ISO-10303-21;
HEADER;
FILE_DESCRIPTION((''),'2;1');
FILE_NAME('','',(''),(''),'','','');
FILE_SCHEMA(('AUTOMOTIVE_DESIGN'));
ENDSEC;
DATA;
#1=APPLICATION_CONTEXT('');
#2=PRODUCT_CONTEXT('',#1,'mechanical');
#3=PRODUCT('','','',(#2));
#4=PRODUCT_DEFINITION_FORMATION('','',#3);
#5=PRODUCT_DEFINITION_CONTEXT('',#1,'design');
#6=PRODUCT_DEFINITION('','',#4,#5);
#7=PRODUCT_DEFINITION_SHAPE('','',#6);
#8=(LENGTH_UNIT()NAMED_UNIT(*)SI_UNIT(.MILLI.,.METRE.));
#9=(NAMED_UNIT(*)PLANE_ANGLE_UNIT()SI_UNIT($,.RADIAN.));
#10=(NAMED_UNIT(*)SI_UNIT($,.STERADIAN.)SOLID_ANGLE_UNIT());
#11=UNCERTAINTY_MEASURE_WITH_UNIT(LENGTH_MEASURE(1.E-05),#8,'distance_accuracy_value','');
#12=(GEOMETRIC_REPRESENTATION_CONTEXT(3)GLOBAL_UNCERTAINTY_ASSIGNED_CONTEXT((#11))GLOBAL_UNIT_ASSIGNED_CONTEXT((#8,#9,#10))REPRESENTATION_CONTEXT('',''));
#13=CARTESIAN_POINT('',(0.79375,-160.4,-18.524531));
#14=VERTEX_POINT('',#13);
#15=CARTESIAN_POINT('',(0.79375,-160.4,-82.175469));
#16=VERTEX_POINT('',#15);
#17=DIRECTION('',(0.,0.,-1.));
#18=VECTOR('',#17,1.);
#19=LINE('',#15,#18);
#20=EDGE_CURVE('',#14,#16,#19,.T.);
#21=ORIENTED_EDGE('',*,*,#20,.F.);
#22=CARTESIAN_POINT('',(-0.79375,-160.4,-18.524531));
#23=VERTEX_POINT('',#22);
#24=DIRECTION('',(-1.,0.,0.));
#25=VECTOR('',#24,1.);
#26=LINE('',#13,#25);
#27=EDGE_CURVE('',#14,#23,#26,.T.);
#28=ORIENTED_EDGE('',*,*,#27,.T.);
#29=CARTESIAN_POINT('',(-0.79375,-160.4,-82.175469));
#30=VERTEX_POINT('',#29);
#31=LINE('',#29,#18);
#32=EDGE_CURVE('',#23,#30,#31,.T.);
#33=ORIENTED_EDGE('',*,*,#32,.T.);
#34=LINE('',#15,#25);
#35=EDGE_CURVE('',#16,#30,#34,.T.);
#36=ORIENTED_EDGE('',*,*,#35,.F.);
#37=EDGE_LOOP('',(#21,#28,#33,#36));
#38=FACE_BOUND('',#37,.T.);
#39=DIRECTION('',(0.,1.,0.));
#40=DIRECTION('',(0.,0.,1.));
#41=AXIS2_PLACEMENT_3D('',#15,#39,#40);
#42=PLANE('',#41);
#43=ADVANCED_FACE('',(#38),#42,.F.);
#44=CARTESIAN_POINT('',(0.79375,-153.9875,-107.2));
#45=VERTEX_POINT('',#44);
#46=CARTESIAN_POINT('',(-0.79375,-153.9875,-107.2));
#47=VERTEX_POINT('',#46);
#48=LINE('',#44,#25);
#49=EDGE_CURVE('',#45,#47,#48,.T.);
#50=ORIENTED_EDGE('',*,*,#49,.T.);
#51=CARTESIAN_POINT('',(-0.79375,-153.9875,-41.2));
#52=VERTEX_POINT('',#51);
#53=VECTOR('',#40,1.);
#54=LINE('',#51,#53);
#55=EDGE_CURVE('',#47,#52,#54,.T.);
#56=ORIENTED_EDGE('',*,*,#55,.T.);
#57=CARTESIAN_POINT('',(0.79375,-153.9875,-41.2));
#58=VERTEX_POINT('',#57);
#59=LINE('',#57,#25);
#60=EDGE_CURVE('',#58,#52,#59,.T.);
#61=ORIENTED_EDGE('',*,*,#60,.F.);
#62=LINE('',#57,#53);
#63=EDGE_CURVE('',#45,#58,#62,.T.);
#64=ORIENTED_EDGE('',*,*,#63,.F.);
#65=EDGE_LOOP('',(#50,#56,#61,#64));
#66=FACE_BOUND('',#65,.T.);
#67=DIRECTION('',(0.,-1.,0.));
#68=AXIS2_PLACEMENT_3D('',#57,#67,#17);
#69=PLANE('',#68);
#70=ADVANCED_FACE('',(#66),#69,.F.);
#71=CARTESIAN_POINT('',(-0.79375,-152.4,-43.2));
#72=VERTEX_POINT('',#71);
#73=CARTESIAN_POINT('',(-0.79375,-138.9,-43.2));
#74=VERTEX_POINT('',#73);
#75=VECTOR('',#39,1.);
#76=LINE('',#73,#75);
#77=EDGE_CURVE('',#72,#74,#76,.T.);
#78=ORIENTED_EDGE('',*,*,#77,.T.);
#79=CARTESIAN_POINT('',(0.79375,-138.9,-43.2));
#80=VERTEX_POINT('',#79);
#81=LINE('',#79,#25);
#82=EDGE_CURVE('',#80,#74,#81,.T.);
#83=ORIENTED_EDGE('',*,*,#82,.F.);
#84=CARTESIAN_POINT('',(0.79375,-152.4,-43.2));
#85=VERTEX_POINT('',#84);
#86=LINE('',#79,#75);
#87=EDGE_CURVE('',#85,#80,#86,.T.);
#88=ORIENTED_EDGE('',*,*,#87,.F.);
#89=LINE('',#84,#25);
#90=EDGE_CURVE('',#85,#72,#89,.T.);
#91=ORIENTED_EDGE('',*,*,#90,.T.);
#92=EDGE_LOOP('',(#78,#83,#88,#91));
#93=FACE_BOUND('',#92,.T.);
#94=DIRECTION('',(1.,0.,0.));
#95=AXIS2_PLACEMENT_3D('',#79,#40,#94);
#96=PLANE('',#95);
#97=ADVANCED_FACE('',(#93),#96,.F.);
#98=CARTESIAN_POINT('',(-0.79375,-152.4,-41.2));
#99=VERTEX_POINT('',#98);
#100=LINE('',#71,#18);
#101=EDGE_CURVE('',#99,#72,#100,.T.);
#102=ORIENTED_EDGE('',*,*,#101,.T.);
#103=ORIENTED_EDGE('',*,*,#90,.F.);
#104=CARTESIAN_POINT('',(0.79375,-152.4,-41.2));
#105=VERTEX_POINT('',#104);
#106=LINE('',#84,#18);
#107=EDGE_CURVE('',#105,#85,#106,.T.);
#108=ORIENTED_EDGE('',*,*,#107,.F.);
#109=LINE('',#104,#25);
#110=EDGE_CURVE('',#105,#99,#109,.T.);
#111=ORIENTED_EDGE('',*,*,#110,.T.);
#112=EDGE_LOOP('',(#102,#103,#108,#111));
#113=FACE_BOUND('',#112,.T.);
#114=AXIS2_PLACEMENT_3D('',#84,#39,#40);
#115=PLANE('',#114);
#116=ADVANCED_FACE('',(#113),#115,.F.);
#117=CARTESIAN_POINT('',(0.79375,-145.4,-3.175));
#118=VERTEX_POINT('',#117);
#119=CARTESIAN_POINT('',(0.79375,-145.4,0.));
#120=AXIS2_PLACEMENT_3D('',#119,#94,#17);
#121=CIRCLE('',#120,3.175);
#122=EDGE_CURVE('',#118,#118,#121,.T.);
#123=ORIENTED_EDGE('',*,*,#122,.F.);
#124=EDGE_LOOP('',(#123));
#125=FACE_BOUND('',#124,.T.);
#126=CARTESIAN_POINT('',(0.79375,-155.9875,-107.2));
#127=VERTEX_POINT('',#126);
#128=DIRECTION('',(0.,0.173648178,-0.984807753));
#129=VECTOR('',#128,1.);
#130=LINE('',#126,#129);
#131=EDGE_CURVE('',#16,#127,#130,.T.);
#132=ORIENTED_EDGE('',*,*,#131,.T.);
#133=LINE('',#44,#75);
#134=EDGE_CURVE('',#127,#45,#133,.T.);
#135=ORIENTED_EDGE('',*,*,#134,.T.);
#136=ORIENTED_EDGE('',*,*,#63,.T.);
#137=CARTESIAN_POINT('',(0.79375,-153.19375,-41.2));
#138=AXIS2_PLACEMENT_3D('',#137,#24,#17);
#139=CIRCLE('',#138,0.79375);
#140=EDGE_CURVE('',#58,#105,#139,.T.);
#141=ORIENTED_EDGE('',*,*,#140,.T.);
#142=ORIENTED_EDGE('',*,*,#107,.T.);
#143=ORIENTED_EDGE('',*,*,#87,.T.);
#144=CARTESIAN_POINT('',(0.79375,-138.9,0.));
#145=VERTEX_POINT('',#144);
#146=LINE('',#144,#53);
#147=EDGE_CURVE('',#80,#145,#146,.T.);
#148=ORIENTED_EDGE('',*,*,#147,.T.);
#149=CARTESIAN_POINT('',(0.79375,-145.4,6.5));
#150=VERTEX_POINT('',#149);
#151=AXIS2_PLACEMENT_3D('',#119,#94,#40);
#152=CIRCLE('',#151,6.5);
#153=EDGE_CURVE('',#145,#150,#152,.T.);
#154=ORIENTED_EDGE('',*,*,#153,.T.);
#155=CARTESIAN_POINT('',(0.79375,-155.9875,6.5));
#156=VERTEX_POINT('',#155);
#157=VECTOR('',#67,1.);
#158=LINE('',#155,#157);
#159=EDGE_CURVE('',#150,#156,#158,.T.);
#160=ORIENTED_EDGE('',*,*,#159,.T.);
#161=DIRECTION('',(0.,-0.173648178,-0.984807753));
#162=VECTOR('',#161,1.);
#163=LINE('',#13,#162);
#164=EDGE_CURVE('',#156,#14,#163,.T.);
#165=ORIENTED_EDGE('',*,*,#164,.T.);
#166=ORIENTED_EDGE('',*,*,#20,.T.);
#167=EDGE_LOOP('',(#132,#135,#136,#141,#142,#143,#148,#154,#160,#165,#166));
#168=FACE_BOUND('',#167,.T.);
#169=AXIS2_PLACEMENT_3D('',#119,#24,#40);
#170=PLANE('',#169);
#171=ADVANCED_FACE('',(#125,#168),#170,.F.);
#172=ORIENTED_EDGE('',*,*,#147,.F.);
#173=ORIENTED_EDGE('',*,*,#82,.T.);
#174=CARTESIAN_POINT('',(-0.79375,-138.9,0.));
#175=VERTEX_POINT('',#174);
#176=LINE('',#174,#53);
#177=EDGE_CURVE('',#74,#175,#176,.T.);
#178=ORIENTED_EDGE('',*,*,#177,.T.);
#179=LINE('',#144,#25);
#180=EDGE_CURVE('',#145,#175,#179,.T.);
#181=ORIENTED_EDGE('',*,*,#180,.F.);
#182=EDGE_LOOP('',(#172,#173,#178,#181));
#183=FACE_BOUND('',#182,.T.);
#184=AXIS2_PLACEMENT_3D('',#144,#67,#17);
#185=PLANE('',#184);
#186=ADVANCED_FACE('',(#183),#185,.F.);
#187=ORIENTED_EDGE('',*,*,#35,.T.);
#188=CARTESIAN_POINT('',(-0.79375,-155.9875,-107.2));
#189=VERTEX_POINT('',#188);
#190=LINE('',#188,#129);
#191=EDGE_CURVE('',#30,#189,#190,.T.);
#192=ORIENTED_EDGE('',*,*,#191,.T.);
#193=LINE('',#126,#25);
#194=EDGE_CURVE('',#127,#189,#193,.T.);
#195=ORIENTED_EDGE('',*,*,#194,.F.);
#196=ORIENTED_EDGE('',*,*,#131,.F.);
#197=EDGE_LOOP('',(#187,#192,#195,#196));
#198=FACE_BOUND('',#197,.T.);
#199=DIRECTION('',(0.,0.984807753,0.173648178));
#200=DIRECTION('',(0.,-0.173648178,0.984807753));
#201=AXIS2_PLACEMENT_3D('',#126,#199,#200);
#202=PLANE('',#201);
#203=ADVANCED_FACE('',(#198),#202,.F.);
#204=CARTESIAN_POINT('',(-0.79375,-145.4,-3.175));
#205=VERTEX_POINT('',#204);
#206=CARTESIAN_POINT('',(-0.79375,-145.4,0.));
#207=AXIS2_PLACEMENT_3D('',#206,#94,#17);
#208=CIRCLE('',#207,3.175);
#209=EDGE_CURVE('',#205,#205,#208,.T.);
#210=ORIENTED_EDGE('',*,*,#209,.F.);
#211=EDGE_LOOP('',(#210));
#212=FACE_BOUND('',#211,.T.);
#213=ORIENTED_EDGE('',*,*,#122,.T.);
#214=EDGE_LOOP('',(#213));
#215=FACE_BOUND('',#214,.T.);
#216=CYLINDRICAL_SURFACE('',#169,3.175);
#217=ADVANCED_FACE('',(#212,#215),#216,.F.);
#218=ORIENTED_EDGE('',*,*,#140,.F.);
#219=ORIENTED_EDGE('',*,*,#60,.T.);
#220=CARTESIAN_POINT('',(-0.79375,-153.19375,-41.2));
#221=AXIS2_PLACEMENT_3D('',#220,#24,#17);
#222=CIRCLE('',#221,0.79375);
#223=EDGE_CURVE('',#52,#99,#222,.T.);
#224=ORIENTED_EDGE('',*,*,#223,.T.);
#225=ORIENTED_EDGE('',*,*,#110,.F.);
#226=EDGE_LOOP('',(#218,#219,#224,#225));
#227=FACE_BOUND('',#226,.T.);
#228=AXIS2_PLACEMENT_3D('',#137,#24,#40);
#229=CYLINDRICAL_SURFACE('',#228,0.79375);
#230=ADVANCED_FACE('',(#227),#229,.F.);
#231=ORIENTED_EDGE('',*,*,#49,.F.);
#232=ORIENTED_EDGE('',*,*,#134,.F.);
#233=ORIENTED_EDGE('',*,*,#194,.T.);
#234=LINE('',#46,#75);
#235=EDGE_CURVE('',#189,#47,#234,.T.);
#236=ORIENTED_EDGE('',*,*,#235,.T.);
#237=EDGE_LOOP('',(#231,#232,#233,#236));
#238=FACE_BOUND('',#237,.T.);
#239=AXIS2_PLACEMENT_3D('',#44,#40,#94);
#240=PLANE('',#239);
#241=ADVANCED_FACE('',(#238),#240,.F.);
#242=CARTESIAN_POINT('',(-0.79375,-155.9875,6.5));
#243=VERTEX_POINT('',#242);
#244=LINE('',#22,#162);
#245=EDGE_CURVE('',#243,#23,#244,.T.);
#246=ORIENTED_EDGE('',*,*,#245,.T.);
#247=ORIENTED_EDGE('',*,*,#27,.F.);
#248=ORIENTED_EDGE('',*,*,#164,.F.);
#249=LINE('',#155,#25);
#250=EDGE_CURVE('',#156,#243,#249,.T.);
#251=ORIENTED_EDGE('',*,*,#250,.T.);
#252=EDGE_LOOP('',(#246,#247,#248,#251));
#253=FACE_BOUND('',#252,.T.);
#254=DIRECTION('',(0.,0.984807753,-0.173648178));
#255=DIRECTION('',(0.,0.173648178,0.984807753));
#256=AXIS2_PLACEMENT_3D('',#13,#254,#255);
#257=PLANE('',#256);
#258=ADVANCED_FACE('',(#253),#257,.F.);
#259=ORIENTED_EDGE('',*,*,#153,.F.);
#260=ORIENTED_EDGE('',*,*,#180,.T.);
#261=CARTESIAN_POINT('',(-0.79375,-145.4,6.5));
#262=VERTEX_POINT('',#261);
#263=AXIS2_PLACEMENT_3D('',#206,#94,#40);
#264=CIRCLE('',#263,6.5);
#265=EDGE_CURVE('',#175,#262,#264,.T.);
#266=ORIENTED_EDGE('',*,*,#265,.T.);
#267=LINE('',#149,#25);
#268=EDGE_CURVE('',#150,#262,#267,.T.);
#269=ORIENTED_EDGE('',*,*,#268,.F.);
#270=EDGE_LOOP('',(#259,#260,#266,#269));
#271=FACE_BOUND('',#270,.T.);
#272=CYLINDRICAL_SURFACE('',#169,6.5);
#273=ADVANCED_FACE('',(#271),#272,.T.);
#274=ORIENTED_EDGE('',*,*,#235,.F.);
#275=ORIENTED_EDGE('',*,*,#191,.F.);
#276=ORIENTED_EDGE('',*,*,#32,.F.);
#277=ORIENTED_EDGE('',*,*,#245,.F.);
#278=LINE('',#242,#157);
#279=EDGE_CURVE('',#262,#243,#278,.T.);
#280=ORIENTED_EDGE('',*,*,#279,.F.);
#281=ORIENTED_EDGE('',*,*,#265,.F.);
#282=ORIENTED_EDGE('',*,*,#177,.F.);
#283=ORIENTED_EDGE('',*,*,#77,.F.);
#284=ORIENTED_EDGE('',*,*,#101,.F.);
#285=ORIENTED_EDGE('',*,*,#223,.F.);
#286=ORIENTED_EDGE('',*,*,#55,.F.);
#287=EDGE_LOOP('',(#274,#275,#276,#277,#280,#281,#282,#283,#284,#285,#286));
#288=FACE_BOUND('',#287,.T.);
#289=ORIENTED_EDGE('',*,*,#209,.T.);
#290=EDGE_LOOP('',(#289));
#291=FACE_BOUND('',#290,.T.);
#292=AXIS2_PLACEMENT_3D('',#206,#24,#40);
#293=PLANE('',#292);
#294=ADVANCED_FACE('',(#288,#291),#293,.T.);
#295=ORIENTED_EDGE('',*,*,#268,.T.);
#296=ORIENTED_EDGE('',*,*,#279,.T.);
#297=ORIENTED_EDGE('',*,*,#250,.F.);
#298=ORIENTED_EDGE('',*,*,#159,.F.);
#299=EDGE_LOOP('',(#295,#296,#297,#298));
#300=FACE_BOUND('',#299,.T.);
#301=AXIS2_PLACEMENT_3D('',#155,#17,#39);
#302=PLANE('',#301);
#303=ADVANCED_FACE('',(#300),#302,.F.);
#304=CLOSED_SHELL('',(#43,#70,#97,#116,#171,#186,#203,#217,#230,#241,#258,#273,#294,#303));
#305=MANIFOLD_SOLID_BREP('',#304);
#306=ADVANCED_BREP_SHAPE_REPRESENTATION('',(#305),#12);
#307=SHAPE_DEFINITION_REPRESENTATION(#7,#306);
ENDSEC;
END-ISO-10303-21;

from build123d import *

# Parameters (mm, degrees)
SKETCH1_R           = 3.175
BOSS_EXTRUDE1_DEPTH = 0.79375


with BuildPart() as part:
    # Sketch1 → Boss-Extrude1 (new, symmetric)
    with BuildSketch(Plane.YZ):
        with BuildLine():
            Line((-138.9, 0), (-138.9, -43.2))
            Line((-138.9, -43.2), (-152.4, -43.2))
            Line((-152.4, -43.2), (-152.4, -41.2))
            ThreePointArc((-152.4, -41.2), (-153.19375, -40.40625), (-153.9875, -41.2))
            Line((-153.9875, -41.2), (-153.9875, -107.2))
            Line((-153.9875, -107.2), (-155.9875, -107.2))
            Line((-155.9875, -107.2), (-160.4, -82.175468971))
            Line((-160.4, -82.175468971), (-160.4, -18.524531029))
            Line((-160.4, -18.524531029), (-155.9875, 6.5))
            Line((-155.9875, 6.5), (-145.4, 6.5))
            ThreePointArc((-145.4, 6.5), (-140.803805922, 4.596194078), (-138.9, 0))
        make_face()
        with Locations(Location((-145.4, 0, 0), (0, 0, 270))):
            Circle(SKETCH1_R, mode=Mode.SUBTRACT)
    extrude(amount=BOSS_EXTRUDE1_DEPTH, both=True)


solid = part.part
